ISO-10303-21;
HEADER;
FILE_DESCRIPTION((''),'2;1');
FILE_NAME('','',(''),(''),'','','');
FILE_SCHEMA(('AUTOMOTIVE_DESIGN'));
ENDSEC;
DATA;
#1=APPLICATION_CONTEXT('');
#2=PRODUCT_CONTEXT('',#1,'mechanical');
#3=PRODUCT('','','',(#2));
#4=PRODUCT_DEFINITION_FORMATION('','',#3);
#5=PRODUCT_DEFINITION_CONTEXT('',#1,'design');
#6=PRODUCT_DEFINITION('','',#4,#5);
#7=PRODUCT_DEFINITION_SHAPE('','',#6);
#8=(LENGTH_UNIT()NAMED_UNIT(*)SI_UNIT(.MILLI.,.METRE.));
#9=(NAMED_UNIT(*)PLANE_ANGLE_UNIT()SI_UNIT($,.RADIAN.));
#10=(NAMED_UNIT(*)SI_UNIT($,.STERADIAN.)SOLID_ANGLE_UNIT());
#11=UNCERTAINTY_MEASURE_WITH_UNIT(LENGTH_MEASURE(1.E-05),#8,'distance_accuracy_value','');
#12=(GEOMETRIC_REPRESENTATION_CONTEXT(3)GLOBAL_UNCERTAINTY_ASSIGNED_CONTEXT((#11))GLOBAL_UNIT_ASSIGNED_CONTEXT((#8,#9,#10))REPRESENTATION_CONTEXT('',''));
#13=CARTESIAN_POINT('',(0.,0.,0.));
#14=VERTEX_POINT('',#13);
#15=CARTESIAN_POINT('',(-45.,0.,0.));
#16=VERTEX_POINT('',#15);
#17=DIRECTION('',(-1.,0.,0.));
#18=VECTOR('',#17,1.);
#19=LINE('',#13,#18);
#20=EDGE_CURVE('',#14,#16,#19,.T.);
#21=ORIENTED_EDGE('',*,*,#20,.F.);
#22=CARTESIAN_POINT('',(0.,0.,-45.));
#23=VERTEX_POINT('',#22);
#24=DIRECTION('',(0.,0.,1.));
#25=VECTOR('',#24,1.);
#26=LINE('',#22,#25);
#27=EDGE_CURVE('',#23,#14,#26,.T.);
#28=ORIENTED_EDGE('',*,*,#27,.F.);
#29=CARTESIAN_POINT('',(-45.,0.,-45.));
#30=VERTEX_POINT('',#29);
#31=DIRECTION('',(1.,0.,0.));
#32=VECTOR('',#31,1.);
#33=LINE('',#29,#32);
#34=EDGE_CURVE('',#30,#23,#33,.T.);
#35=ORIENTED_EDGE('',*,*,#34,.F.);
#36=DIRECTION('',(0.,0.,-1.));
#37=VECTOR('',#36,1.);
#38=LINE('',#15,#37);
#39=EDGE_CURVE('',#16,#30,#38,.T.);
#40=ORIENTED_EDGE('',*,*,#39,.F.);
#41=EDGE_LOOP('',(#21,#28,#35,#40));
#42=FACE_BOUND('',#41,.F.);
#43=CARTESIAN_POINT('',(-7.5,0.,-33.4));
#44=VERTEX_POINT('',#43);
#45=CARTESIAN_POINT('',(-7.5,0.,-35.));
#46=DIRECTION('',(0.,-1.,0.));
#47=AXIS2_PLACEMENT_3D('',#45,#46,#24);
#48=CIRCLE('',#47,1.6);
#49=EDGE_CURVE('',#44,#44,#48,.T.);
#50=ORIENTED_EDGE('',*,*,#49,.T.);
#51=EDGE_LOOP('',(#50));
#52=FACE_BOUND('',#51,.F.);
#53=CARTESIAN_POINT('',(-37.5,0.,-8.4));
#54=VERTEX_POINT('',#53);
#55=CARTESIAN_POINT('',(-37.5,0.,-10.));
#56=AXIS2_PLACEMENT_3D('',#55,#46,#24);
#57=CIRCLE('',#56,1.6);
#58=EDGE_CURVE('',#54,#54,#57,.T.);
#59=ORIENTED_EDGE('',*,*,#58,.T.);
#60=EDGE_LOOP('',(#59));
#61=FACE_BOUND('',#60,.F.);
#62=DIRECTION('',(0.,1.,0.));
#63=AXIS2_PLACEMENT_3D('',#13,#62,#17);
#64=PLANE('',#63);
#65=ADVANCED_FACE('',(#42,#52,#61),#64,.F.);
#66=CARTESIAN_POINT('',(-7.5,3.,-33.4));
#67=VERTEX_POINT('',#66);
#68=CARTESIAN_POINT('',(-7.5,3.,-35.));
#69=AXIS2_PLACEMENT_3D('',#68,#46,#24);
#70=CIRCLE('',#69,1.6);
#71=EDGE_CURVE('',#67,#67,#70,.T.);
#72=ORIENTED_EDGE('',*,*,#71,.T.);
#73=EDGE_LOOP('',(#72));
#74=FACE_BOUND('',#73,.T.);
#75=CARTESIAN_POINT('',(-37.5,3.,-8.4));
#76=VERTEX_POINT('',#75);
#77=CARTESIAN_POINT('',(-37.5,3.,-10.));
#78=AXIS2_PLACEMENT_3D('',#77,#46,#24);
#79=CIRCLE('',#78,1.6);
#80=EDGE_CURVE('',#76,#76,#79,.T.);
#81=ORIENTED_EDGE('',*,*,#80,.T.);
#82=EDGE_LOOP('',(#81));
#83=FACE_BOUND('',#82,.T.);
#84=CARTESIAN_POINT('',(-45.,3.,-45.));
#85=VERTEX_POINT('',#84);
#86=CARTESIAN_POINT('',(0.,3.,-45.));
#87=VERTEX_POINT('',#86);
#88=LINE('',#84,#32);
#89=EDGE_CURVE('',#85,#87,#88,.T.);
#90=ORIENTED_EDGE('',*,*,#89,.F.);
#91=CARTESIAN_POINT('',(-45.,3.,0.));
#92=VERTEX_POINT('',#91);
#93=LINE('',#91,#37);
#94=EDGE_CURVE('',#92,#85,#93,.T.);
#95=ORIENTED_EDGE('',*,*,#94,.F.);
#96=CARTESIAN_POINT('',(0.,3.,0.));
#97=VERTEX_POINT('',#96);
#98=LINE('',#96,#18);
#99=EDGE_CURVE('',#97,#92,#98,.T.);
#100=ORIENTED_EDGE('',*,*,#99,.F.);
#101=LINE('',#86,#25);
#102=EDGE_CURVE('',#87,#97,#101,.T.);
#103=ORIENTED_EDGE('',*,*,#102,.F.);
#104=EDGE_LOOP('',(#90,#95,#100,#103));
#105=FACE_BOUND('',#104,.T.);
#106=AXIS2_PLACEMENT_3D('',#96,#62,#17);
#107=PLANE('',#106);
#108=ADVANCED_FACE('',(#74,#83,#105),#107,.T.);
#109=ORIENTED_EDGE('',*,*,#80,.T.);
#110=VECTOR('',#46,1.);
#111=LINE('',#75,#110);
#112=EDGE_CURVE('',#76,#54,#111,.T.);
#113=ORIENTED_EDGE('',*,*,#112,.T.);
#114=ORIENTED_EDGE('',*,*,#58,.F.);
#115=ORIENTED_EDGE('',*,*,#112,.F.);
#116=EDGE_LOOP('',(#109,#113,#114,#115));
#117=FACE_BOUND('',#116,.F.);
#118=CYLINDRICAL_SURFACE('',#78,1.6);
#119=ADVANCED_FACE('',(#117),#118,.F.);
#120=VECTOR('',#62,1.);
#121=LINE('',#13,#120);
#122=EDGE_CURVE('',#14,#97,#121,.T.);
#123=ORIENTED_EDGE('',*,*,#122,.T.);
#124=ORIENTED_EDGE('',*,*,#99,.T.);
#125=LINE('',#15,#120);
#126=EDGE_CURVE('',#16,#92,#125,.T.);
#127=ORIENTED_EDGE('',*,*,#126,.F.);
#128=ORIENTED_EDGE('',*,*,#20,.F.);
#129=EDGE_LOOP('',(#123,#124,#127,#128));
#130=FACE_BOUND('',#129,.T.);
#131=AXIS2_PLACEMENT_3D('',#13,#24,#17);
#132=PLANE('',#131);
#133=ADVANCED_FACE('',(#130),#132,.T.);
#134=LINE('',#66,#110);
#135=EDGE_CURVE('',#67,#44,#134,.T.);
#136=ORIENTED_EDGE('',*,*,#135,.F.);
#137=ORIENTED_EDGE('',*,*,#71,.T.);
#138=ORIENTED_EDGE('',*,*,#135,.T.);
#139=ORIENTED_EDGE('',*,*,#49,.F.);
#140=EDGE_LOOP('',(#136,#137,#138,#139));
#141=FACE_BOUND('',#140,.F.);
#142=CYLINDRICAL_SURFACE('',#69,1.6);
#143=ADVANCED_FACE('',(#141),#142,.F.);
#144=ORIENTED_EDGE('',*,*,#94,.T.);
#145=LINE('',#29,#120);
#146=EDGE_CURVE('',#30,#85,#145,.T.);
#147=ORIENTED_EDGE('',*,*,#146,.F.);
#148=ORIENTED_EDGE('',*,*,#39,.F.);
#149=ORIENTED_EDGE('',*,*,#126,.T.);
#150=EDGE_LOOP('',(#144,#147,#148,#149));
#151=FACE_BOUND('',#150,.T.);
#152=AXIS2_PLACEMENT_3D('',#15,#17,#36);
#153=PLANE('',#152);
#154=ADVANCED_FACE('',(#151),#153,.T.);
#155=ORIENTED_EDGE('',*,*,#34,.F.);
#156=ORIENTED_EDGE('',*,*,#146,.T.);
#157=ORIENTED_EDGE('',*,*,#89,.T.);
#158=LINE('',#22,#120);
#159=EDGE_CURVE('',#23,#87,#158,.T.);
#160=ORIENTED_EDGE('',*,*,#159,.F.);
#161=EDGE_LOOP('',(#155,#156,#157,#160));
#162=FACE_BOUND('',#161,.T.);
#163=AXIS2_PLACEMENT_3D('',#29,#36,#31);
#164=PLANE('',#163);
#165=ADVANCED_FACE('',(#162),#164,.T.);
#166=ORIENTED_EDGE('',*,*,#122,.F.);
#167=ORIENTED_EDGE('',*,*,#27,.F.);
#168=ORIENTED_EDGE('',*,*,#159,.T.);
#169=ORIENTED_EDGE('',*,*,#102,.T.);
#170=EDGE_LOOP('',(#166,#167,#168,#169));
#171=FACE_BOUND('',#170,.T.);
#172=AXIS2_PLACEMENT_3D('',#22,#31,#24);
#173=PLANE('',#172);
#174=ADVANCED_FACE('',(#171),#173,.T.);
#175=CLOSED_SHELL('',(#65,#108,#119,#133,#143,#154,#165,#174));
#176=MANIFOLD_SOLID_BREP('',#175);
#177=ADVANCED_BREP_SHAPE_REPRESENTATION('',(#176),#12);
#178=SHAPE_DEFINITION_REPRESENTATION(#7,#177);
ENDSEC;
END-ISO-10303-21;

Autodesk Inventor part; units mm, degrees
ref_plane "YZ Plane" through (0, 0, 0) normal (1, 0, 0) x (0, 1, 0)
ref_plane "XZ Plane" through (0, 0, 0) normal (0, 1, 0) x (-1, 0, 0)
ref_plane "XY Plane" through (0, 0, 0) normal (0, 0, 1) x (1, 0, 0)
sketch "スケッチ1" plane through (0, 0, 0) normal (0, 1, 0) x (-1, 0, 0)
  line L0 (0, 0) -> (45, 0)
  line L1 (45, 0) -> (45, -45)
  line L2 (45, -45) -> (0, -45)
  line L3 (0, -45) -> (0, 0)
  dimension "d0" = 45
  dimension "d1" = 45
extrude "押し出し1" add sketch "スケッチ1" along normal blind 3
sketch "スケッチ2" plane through (0, 3, 0) normal (0, 1, 0) x (1, 0, 0)
  line L0 (0, 0) -> (0, 45) projected
  line L1 (0, 45) -> (-45, 45) projected
  line L2 (-45, 45) -> (-45, 0) projected
  line L3 (-45, 0) -> (0, 0) projected
  point P0 (-7.5, 35)
  point P1 (-37.5, 10)
  dimension "d4" = 7.5
  dimension "d5" = 10
  dimension "d6" = 7.5
  dimension "d7" = 10
hole "穴1" at (-7.5, 3, -35) at (-37.5, 3, -10) direction (0, -1, 0) diameter 3.2 end through all
